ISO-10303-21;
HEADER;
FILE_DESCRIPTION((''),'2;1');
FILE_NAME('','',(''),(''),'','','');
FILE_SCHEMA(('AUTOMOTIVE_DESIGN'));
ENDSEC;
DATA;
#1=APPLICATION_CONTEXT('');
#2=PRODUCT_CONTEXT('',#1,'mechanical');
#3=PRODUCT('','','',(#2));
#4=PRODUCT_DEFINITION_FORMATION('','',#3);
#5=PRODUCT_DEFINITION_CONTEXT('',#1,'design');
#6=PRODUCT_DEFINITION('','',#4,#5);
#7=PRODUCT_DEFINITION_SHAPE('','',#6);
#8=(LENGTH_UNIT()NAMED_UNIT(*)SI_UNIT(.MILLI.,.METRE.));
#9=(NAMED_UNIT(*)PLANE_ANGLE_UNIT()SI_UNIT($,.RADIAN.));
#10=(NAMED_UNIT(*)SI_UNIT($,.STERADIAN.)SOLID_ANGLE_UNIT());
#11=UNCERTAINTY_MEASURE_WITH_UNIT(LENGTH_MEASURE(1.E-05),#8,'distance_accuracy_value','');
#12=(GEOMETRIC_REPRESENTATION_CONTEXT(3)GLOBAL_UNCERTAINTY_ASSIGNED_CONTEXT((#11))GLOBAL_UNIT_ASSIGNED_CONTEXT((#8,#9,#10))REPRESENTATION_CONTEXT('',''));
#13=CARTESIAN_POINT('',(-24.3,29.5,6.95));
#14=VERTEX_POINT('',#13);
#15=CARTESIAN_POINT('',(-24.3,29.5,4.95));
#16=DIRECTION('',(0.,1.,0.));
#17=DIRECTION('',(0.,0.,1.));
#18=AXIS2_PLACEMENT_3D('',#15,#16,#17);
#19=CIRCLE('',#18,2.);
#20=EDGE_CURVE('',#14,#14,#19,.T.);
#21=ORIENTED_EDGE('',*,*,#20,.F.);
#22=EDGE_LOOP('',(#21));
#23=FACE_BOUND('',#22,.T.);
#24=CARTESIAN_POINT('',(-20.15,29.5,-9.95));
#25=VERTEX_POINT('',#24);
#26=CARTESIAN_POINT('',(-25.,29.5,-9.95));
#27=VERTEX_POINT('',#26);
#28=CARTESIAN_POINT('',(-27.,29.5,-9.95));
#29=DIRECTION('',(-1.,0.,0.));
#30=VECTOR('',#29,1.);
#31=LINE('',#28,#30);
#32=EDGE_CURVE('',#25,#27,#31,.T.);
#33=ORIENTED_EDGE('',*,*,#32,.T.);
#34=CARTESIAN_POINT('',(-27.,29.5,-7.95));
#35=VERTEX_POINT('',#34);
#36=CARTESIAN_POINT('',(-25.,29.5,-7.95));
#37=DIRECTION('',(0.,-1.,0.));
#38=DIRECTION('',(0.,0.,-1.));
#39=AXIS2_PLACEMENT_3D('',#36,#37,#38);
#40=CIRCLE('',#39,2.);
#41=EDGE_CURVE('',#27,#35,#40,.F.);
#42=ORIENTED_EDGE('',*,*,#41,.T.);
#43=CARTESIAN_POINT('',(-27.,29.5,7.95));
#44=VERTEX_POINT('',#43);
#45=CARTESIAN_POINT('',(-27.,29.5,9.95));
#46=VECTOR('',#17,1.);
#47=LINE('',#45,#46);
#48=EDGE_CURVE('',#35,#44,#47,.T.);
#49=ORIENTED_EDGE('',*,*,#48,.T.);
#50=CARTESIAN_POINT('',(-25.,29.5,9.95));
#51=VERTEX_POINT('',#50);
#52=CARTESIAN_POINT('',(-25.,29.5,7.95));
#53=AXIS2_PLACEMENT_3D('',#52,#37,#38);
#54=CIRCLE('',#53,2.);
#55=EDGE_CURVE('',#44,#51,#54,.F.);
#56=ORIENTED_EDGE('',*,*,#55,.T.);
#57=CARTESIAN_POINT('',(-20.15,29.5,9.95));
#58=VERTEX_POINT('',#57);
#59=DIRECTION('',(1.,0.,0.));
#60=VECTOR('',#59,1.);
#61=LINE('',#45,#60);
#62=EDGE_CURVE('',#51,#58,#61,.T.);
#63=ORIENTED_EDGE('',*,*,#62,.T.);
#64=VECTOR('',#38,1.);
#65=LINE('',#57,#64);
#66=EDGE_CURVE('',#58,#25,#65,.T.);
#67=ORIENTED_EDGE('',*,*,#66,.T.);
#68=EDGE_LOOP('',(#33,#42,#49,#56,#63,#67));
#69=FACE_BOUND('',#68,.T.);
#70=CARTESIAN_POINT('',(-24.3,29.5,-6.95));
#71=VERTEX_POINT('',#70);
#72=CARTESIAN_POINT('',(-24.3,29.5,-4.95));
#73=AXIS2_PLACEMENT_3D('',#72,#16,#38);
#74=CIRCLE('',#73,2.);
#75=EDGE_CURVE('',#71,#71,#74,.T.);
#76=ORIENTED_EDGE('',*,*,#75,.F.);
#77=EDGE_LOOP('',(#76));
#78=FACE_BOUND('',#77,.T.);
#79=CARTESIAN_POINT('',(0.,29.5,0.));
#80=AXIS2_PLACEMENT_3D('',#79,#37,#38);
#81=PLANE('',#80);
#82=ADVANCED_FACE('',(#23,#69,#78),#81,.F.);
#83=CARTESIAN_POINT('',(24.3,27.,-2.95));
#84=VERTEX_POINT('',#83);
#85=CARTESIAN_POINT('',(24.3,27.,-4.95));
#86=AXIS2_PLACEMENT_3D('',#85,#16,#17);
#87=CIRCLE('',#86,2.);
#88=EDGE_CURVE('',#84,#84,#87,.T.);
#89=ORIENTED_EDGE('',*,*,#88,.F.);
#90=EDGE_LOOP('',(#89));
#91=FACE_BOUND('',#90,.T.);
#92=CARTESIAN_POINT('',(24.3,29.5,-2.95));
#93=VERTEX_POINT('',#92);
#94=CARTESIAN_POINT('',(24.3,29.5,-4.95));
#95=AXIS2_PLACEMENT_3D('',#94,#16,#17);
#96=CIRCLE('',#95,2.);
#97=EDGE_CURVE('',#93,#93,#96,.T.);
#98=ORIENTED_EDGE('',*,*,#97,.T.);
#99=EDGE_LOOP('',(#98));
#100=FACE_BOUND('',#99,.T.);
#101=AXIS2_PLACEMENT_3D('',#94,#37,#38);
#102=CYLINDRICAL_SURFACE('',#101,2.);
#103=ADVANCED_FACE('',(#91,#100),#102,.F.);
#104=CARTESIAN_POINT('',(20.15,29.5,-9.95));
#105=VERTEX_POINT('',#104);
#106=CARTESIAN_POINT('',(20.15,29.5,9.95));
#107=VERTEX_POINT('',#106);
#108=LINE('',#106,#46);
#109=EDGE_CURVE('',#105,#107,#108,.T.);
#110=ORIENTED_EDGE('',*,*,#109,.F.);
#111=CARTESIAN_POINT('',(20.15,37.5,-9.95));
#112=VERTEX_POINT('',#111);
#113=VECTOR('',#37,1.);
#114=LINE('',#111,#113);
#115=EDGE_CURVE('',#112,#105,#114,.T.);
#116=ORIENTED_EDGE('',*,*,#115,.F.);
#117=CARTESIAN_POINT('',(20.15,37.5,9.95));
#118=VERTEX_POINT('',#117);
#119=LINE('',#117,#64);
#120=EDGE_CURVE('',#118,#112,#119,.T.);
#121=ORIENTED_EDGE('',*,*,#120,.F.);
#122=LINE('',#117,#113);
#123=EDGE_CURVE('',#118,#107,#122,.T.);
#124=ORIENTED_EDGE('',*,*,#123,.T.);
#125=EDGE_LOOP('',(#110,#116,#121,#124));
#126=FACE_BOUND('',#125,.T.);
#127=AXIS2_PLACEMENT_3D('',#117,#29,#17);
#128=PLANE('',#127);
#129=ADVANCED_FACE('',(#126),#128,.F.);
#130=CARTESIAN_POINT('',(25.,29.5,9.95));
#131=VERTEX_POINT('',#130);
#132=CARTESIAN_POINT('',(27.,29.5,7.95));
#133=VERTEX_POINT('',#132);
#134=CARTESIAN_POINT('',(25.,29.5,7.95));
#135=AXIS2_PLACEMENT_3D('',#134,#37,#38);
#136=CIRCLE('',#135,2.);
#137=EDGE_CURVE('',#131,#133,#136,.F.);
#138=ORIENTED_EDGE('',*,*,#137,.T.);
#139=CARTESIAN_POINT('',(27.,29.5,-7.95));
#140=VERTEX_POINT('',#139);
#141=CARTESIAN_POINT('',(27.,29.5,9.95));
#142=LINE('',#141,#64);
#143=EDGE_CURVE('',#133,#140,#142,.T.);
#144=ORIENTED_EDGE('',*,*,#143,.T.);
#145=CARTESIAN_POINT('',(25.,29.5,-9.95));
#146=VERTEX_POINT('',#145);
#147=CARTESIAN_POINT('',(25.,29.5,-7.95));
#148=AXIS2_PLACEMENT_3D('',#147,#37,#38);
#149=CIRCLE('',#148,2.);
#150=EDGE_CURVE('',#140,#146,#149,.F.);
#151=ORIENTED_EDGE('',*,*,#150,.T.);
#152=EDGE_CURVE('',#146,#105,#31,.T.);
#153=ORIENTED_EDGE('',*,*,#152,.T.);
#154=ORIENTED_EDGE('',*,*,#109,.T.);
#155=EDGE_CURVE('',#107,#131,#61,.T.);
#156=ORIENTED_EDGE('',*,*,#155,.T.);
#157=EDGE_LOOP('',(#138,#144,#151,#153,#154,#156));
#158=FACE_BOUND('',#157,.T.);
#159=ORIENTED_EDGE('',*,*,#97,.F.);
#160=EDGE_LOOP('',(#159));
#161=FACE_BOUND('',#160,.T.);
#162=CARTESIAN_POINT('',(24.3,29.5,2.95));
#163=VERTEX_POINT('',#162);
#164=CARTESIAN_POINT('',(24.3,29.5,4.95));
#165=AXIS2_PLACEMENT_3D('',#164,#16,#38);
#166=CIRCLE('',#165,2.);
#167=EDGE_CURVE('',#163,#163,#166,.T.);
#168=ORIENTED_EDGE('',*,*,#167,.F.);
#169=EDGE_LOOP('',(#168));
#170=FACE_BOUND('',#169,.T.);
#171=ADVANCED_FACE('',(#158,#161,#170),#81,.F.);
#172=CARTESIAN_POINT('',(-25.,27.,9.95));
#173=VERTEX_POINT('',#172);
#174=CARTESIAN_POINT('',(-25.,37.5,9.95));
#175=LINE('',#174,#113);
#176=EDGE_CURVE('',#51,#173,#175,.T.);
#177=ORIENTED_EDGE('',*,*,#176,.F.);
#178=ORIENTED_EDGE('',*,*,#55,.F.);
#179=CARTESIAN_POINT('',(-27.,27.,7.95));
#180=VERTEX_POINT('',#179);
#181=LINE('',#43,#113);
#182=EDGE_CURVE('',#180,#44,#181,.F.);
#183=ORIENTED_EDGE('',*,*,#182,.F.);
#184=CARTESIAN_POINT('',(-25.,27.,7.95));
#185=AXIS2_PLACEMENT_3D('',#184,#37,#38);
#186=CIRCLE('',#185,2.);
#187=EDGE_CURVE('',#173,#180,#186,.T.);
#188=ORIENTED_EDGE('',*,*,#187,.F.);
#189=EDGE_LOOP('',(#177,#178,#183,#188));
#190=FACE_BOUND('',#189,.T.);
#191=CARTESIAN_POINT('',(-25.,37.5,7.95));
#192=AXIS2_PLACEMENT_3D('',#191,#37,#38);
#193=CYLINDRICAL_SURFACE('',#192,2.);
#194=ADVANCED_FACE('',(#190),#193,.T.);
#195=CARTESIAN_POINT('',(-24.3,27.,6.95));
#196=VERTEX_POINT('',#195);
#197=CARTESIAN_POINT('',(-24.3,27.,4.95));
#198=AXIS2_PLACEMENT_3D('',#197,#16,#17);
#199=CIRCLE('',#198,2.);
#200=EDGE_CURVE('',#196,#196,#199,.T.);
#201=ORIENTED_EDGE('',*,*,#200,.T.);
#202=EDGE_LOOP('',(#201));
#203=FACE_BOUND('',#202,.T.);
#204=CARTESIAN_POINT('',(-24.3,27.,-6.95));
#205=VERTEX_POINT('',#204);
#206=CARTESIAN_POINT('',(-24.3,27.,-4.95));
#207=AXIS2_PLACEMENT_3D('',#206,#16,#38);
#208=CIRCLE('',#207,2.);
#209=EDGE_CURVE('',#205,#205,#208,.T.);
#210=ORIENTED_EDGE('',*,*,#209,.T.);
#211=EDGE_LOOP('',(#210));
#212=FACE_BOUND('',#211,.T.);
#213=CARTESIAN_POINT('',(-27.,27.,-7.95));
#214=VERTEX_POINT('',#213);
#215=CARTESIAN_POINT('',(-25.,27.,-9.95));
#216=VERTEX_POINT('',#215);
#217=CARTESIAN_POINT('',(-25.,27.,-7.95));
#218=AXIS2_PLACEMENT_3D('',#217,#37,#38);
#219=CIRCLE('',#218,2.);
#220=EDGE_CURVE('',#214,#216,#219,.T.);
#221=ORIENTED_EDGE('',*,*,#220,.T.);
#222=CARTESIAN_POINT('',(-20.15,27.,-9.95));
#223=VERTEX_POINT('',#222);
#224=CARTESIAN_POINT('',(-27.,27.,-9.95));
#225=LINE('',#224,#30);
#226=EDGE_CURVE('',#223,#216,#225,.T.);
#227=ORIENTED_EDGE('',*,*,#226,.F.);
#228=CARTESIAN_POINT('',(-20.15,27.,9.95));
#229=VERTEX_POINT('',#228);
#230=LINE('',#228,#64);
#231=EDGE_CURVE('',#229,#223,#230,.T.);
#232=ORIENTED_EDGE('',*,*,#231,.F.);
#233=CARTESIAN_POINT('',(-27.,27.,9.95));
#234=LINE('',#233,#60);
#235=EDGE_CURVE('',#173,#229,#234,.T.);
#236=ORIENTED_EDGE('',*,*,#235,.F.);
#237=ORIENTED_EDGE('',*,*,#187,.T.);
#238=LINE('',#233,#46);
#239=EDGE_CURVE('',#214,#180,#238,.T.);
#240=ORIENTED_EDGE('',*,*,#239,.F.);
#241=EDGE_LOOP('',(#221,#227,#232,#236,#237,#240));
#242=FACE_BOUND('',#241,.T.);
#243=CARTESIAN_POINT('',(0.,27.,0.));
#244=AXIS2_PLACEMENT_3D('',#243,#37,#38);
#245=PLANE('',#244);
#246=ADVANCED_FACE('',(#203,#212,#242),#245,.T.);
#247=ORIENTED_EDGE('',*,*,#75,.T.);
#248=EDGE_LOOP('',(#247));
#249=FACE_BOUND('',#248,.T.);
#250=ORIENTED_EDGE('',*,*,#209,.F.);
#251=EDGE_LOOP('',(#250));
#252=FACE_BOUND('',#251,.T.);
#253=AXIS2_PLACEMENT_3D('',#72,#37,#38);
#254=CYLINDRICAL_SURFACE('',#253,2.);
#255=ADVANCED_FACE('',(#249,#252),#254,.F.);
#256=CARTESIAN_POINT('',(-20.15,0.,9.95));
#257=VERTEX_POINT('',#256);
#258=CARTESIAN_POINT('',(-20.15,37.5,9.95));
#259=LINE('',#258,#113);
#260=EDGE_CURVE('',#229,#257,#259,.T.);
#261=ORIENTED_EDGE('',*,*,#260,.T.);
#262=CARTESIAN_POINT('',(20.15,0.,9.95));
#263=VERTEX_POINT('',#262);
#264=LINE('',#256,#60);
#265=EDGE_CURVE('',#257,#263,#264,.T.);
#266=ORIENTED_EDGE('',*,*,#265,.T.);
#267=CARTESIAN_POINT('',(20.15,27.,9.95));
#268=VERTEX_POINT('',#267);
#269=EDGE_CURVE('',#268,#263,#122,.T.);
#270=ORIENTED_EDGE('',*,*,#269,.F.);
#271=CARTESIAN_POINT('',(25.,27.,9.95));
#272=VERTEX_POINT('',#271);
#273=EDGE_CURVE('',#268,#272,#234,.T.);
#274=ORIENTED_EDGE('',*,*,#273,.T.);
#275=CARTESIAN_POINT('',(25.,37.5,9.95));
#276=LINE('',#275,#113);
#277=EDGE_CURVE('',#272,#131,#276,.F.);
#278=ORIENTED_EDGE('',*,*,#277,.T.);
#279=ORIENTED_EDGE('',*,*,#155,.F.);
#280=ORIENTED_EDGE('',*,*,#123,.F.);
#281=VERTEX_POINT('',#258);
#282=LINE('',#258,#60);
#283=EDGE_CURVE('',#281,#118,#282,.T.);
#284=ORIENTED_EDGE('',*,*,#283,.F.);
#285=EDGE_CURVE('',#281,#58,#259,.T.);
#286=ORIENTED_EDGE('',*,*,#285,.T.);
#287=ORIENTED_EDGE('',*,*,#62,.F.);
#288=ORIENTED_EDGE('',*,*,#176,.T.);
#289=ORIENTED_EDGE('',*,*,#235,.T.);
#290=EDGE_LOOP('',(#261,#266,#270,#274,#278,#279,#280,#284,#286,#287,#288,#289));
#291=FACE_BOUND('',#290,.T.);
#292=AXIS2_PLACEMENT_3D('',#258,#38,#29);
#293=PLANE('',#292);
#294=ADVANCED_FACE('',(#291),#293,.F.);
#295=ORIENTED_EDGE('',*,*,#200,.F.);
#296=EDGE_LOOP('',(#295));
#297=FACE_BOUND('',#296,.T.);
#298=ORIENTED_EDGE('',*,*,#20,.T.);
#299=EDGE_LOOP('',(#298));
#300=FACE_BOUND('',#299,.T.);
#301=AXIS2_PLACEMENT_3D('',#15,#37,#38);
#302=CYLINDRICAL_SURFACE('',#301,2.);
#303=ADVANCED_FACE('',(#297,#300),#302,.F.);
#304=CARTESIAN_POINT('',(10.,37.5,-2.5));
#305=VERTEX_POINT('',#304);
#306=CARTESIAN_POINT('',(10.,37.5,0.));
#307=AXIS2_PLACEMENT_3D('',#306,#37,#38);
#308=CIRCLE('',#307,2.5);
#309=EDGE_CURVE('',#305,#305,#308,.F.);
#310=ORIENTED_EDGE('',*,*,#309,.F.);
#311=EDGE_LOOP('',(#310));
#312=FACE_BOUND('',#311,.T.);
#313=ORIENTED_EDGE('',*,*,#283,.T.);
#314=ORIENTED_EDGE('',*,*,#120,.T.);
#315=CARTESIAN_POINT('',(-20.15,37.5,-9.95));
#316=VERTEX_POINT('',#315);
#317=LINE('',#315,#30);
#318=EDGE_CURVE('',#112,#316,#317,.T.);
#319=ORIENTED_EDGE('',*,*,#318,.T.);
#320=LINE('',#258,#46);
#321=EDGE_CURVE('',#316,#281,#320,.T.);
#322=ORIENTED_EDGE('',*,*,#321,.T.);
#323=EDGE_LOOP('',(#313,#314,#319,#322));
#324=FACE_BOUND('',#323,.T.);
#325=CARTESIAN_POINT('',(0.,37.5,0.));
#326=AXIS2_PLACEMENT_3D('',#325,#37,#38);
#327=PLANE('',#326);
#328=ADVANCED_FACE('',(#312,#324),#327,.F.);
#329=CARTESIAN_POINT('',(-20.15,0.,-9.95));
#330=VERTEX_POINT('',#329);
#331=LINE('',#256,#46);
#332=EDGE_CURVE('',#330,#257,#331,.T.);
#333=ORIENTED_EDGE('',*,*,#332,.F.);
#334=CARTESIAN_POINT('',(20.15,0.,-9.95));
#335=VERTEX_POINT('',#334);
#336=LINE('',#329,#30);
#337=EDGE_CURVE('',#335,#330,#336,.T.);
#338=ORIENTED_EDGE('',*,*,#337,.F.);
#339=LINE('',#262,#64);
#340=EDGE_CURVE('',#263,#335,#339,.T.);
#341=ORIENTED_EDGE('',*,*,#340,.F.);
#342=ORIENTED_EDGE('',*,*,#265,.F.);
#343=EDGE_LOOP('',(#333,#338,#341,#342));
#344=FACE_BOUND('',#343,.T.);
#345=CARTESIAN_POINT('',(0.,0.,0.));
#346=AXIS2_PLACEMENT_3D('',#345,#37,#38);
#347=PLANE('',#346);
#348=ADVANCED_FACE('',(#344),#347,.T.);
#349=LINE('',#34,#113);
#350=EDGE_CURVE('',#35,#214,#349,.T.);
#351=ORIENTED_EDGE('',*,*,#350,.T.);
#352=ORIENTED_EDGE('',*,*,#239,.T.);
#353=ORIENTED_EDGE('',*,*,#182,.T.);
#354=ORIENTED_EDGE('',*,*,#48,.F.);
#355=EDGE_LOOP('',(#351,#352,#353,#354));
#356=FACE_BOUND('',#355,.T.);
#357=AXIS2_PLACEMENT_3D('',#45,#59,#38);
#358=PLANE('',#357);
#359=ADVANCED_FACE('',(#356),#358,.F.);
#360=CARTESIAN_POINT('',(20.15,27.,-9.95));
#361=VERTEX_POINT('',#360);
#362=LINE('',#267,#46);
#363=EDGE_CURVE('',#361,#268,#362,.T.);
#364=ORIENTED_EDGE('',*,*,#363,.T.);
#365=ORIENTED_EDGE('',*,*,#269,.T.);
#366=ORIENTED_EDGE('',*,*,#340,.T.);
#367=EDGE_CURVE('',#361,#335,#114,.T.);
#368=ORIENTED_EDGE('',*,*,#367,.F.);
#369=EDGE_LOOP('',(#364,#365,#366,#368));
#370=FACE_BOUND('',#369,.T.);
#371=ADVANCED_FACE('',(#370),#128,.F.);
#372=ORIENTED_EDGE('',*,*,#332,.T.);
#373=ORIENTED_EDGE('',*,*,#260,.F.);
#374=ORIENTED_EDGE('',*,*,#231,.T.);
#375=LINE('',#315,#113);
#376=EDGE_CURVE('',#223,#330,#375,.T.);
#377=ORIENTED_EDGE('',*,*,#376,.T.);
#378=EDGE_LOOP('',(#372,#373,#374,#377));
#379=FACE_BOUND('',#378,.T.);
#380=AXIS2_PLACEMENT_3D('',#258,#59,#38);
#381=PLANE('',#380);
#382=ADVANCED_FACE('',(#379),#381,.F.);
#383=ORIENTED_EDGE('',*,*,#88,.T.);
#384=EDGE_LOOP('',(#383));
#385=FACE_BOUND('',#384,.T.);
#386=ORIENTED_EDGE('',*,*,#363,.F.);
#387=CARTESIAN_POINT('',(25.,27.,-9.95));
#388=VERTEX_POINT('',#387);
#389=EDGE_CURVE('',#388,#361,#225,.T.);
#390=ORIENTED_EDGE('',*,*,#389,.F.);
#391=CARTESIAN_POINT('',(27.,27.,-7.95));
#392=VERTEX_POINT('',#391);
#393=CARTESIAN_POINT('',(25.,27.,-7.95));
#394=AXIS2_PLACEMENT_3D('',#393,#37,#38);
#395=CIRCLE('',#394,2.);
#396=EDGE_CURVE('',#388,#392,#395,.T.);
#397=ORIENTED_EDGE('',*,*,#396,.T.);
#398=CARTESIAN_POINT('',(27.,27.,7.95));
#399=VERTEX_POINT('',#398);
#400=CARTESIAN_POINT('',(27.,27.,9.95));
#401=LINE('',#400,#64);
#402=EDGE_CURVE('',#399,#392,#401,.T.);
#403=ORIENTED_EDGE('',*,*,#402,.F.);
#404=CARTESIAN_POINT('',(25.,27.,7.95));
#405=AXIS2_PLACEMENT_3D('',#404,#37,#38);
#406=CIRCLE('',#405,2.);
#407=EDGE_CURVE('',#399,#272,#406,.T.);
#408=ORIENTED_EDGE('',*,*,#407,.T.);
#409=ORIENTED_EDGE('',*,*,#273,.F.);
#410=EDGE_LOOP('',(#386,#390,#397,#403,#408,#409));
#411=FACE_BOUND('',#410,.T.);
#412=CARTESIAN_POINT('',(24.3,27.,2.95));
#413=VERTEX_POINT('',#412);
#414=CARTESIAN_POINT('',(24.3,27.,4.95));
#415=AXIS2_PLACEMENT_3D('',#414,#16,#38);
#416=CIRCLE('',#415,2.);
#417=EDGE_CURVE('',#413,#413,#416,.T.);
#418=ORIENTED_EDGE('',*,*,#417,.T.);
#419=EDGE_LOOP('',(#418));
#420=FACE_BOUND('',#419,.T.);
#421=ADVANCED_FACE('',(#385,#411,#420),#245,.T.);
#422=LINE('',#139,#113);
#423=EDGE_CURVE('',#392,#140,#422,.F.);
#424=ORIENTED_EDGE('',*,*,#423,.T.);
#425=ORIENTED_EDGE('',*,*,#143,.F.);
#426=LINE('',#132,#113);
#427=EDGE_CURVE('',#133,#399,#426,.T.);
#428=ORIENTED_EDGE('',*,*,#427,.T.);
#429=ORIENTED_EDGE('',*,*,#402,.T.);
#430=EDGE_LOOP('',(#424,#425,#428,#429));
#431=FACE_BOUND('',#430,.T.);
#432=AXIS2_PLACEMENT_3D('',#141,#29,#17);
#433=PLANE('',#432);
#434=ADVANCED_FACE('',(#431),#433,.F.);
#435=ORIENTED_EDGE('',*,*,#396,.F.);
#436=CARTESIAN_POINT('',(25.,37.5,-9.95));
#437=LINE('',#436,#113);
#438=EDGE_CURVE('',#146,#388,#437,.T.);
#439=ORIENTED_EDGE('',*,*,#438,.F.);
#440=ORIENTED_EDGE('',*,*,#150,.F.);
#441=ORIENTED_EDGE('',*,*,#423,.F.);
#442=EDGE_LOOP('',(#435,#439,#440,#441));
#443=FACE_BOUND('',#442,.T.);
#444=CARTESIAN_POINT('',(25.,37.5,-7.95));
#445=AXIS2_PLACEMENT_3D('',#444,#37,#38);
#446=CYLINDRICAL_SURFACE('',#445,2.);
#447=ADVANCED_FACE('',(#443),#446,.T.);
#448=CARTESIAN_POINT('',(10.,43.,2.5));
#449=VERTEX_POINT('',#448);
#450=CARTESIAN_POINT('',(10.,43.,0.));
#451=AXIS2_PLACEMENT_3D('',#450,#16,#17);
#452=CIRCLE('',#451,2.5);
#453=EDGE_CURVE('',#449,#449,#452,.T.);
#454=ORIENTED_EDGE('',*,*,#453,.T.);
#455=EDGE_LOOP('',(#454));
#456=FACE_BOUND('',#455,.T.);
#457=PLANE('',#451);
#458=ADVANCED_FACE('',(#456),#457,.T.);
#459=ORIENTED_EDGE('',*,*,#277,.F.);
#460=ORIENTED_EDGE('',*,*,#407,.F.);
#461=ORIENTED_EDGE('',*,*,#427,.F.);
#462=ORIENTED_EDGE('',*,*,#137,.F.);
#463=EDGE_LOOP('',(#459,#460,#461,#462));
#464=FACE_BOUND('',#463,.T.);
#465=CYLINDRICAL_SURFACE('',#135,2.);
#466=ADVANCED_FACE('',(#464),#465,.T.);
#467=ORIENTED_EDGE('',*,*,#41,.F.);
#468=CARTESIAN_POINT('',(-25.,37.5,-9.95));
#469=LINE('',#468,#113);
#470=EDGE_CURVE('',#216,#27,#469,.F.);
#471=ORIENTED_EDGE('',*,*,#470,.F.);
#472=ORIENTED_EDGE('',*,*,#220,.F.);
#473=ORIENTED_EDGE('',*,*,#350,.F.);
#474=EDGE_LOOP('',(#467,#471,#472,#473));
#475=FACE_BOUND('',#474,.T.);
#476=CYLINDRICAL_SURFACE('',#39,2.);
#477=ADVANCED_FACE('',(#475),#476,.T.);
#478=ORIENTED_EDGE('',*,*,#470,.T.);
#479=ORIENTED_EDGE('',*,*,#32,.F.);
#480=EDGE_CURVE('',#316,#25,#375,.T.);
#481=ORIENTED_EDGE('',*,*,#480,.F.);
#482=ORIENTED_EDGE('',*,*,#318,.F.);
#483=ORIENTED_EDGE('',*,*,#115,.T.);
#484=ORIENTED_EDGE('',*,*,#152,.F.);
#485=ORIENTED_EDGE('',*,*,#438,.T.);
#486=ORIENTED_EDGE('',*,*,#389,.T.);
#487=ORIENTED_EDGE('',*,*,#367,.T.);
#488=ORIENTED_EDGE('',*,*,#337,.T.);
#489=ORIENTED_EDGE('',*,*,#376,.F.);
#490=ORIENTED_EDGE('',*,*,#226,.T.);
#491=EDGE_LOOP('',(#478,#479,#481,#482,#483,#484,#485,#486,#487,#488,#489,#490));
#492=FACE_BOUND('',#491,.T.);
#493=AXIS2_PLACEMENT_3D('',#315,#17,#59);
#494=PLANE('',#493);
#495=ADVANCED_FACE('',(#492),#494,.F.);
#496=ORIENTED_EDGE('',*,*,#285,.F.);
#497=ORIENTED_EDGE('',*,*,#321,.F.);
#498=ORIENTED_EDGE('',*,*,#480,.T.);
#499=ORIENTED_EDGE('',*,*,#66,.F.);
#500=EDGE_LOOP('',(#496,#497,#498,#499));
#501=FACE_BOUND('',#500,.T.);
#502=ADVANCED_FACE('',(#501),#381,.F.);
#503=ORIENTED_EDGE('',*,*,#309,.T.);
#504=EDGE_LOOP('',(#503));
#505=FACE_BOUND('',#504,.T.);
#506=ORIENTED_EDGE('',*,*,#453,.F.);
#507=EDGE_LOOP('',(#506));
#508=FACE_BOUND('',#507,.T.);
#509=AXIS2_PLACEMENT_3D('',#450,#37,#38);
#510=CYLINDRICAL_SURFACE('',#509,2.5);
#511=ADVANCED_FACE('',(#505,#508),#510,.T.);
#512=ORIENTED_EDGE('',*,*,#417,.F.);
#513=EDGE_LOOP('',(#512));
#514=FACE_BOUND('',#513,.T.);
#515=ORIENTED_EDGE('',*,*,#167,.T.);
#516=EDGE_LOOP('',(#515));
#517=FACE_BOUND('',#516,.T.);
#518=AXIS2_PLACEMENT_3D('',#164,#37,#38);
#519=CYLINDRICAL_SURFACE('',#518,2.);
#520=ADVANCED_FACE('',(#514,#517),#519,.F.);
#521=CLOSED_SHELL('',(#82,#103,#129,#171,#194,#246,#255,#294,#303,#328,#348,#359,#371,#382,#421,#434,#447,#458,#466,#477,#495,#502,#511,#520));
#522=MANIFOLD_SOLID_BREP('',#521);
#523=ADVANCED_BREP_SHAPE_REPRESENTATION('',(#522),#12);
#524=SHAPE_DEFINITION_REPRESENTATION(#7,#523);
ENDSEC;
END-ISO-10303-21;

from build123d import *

# Parameters (mm, degrees)
SKETCH_4_W      = 40.3
SKETCH_4_H      = 19.9
EXTRUDE_2_DEPTH = 37.5
EXTRUDE_START   = 27
SKETCH_5_W      = 54
SKETCH_5_H      = 19.9
SKETCH_5_R      = 2
EXTRUDE_3_DEPTH = 2.5
SKETCH_6_R      = 2.5
EXTRUDE_4_DEPTH = 5.5
EXTRUDE_START_2 = 2.37
SKETCH_8_R      = 2.25
EXTRUDE_5_DEPTH = 30.53
FILLET_1_R      = 2


with BuildPart() as part:
    # 草图4 → 凸台-拉伸2 (new body)
    with BuildSketch(Plane(origin=(0, 0, 0), x_dir=(1, 0, 0), z_dir=(0, 1, 0))):
        Rectangle(SKETCH_4_W, SKETCH_4_H)
    extrude(amount=EXTRUDE_2_DEPTH)

    # 草图5 → 凸台-拉伸3 (add)
    with BuildSketch(Plane(origin=(0, 0, 0), x_dir=(1, 0, 0), z_dir=(0, 1, 0)).offset(EXTRUDE_START)):
        Rectangle(SKETCH_5_W, SKETCH_5_H)
        with Locations(Location((24.3, 4.95, 0), (0, 0, 270))):
            Circle(SKETCH_5_R, mode=Mode.SUBTRACT)
        with Locations(Location((24.3, -4.95, 0), (0, 0, 90))):
            Circle(SKETCH_5_R, mode=Mode.SUBTRACT)
        with Locations(Location((-24.3, -4.95, 0), (0, 0, 270))):
            Circle(SKETCH_5_R, mode=Mode.SUBTRACT)
        with Locations(Location((-24.3, 4.95, 0), (0, 0, 90))):
            Circle(SKETCH_5_R, mode=Mode.SUBTRACT)
    extrude(amount=EXTRUDE_3_DEPTH)

    # 草图6 → 凸台-拉伸4 (add)
    with BuildSketch(Plane(origin=(0, 37.5, 0), x_dir=(1, 0, 0), z_dir=(0, 1, 0))):
        with Locations(Location((10, 0, 0), (0, 0, 90))):
            Circle(SKETCH_6_R)
    extrude(amount=EXTRUDE_4_DEPTH)

    # 草图8 → 凸台-拉伸5 (add)
    with BuildSketch(Plane(origin=(0, 32.9, 0), x_dir=(-1, 0, 0), z_dir=(0, -1, 0)).offset(EXTRUDE_START_2)):
        with Locations((-10, 0)):
            Circle(SKETCH_8_R)
    extrude(amount=EXTRUDE_5_DEPTH)

    # 圆角1
    fillet_1_edges = [part.edges().sort_by_distance(p)[0] for p in [
        (27, 28.25, -9.95),
        (-27, 28.25, 9.95),
        (27, 28.25, 9.95),
        (-27, 28.25, -9.95),
    ]]
    fillet(fillet_1_edges, radius=FILLET_1_R)


solid = part.part
